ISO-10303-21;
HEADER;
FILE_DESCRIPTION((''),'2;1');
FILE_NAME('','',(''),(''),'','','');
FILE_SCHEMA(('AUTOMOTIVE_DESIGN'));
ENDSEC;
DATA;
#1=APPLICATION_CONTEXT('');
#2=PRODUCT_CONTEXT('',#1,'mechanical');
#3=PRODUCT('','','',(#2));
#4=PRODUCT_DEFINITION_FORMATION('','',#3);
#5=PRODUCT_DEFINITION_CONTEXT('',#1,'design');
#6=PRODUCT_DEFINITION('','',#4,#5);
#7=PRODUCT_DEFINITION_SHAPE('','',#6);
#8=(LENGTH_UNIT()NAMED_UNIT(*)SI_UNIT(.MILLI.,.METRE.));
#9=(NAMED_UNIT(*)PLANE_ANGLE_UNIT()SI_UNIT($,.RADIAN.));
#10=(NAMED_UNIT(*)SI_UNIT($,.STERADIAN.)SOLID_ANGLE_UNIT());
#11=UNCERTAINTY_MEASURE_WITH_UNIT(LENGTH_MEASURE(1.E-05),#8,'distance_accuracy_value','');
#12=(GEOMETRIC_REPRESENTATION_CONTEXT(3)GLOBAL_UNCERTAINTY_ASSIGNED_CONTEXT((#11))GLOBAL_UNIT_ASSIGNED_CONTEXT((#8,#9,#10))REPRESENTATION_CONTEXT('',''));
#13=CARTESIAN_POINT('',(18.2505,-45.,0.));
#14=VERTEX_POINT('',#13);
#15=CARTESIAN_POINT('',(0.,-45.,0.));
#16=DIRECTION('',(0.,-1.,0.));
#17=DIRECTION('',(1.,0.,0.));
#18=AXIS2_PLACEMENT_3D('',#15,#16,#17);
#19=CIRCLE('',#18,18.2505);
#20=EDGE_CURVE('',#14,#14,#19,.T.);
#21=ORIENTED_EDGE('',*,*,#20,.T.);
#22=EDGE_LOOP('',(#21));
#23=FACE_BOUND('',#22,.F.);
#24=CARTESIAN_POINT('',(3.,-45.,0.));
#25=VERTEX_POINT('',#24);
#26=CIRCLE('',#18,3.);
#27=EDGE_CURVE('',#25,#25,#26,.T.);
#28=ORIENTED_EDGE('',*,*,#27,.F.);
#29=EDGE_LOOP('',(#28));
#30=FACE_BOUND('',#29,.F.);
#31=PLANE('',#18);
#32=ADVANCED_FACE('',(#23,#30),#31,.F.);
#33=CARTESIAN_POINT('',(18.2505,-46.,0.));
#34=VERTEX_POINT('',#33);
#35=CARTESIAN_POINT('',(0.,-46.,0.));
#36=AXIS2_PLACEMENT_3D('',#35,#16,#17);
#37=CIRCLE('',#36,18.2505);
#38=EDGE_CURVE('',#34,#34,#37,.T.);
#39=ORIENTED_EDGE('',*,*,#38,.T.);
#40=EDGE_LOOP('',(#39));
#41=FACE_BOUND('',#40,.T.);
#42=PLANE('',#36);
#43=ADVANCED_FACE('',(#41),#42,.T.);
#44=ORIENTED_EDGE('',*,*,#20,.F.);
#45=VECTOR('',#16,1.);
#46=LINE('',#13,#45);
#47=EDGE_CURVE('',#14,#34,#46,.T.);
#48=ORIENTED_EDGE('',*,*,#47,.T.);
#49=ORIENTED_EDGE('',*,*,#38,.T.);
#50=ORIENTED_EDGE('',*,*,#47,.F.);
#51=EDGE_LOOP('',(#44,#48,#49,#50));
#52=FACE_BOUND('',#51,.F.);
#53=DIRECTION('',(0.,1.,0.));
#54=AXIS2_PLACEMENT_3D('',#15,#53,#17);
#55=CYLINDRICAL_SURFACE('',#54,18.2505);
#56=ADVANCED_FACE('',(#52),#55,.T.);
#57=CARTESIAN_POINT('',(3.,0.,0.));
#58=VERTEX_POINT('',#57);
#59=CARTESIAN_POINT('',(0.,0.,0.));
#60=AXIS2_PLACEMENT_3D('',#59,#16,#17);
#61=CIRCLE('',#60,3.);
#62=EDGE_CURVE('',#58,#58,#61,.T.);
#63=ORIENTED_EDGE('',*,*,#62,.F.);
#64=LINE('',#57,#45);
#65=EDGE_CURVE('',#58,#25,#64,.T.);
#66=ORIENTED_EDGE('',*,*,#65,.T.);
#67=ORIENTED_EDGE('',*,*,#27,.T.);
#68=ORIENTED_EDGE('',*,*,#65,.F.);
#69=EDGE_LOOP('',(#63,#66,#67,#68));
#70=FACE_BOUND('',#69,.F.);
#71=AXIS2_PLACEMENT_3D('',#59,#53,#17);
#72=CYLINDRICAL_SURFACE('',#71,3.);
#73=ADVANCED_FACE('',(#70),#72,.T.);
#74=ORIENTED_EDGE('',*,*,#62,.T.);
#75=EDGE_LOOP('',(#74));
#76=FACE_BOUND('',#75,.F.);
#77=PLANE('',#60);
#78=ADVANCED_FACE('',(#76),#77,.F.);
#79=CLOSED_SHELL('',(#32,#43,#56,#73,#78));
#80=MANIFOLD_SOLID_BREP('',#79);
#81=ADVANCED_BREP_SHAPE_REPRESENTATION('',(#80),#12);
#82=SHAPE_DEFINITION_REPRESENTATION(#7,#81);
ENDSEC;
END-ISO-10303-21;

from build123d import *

# Parameters (mm, degrees)
F0_R     = 3
F1_DEPTH = 45
F2_R     = 18.2505
F2_R_2   = 3
F3_DEPTH = 1


with BuildPart() as f1:
    # F0 (on Front) → F1 (new body)
    with BuildSketch(Plane.XZ):
        Circle(F0_R)
    extrude(amount=F1_DEPTH)

    # F2 (on face) → F3 (join)
    with BuildSketch(Plane.XZ.offset(45)):
        Circle(F2_R)
        Circle(F2_R_2, mode=Mode.SUBTRACT)
        Circle(F2_R_2)
    extrude(amount=F3_DEPTH)


solid = f1.part
